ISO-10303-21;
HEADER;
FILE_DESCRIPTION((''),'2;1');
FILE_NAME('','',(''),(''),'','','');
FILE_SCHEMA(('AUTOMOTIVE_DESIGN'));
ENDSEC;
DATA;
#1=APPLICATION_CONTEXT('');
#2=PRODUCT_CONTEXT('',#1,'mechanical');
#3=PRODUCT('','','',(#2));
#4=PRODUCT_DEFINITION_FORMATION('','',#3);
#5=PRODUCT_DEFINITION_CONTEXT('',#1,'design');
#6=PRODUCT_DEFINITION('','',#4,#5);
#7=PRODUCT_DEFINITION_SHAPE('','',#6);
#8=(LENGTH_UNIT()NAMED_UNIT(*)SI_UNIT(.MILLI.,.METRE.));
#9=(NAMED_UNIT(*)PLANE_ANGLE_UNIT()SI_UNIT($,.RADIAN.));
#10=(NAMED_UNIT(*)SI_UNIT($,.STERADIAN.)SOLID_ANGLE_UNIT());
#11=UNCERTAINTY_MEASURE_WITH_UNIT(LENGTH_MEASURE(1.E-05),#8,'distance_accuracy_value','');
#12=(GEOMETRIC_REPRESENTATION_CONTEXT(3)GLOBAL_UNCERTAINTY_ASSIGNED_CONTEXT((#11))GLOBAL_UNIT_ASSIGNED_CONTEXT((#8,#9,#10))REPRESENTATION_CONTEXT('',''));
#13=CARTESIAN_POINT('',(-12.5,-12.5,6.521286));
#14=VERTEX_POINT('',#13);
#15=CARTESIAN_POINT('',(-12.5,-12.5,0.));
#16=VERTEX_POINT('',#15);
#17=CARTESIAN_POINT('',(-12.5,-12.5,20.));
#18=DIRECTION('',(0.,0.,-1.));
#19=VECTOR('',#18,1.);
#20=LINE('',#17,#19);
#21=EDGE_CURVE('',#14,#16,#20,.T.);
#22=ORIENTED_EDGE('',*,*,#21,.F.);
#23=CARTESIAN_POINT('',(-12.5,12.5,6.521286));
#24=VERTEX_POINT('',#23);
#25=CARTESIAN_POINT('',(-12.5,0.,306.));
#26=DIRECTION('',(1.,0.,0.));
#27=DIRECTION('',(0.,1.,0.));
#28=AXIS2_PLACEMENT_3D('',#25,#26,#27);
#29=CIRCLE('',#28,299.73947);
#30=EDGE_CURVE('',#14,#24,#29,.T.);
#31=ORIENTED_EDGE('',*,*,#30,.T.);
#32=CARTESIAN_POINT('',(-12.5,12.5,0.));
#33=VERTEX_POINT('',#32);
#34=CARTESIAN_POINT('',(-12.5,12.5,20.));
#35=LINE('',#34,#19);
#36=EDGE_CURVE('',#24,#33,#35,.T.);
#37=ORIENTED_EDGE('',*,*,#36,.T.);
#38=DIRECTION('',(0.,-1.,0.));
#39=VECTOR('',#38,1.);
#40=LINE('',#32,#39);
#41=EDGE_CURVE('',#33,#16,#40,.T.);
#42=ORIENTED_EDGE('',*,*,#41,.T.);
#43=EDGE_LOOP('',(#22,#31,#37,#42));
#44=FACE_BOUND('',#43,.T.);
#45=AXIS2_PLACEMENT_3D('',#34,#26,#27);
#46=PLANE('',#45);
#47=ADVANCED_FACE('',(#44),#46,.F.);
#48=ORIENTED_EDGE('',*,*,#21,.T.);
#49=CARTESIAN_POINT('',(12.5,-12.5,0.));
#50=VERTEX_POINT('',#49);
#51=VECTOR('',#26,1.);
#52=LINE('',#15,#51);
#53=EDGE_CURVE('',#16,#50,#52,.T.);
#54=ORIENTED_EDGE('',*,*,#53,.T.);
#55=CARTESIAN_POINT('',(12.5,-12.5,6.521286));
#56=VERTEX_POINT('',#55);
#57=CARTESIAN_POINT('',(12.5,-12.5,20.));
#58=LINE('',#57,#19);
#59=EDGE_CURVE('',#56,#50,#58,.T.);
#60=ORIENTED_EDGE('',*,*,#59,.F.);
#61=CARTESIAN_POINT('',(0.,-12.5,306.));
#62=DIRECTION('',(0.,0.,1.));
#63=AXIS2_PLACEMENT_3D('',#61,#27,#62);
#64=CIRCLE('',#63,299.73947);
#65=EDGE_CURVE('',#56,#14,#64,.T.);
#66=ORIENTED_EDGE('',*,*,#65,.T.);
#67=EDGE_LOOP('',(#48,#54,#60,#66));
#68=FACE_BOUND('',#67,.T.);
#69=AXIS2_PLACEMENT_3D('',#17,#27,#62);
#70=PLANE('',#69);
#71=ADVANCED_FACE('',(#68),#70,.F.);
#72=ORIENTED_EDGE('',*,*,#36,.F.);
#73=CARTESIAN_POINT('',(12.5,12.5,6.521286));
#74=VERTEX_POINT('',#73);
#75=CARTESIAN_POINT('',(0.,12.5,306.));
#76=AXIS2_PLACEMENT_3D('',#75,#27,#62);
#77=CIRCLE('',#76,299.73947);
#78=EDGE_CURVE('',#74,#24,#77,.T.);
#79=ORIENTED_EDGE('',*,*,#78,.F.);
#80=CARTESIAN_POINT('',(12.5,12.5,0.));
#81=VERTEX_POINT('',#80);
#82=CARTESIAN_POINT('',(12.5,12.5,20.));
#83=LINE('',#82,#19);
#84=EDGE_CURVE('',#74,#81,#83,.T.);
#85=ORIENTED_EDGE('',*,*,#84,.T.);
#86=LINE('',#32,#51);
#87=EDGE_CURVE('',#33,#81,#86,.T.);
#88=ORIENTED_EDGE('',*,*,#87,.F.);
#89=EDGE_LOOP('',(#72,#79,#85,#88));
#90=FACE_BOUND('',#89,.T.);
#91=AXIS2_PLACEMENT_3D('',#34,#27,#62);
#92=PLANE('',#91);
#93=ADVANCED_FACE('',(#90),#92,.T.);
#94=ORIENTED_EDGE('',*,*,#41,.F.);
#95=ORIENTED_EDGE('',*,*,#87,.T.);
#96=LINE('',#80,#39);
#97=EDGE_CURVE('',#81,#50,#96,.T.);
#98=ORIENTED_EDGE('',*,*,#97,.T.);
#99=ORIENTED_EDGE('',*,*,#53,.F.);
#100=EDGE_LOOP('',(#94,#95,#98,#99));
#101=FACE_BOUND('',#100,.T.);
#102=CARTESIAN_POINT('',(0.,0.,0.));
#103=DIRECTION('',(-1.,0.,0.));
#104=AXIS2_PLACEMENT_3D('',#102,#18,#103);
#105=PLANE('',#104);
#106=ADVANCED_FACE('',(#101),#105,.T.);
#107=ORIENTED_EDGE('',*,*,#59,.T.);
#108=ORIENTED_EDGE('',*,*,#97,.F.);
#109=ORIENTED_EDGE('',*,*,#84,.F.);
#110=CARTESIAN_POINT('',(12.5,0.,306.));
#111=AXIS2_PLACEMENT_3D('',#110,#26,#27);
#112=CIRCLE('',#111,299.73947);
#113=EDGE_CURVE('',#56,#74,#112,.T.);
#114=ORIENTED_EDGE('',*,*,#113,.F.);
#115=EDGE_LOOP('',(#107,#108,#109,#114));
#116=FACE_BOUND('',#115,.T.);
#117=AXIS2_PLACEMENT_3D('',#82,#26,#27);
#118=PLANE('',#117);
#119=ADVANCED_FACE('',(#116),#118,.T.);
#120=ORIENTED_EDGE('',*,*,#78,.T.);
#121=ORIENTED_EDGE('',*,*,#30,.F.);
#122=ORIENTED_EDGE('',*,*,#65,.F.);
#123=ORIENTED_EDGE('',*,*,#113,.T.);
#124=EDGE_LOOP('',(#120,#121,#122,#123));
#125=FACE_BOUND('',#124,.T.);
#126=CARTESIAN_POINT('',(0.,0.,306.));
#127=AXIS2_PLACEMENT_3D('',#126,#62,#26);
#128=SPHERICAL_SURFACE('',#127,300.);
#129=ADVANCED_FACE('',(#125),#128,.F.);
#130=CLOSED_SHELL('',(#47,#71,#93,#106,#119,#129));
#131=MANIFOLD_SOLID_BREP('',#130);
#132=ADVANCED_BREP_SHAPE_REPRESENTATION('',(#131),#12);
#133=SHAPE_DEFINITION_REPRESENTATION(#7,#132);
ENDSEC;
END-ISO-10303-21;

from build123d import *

# Parameters (mm, degrees)
SKETCH_1_W      = 25
SKETCH_1_H      = 25
EXTRUDE_1_DEPTH = 20


with BuildPart() as part:
    # 草图1 → 凸台-拉伸1 (new body)
    with BuildSketch(Plane.XY):
        Rectangle(SKETCH_1_W, SKETCH_1_H)
    extrude(amount=EXTRUDE_1_DEPTH)

    # 草图2 → 切除-旋转2 (revolve, cut)
    with BuildSketch(Plane(origin=(0, 0, 0), x_dir=(1, 0, 0), z_dir=(0, 1, 0))):
        with BuildLine():
            Line((292.453638544, -239.13544061), (0, -239.13544061))
            Line((0, -239.13544061), (0, -6))
            ThreePointArc((0, -6), (187.003518928, -71.41593424), (292.453638544, -239.13544061))
        make_face()
    revolve(axis=Axis((0, 0, 239.13544061), (0, 0, -1)), mode=Mode.SUBTRACT)


solid = part.part
